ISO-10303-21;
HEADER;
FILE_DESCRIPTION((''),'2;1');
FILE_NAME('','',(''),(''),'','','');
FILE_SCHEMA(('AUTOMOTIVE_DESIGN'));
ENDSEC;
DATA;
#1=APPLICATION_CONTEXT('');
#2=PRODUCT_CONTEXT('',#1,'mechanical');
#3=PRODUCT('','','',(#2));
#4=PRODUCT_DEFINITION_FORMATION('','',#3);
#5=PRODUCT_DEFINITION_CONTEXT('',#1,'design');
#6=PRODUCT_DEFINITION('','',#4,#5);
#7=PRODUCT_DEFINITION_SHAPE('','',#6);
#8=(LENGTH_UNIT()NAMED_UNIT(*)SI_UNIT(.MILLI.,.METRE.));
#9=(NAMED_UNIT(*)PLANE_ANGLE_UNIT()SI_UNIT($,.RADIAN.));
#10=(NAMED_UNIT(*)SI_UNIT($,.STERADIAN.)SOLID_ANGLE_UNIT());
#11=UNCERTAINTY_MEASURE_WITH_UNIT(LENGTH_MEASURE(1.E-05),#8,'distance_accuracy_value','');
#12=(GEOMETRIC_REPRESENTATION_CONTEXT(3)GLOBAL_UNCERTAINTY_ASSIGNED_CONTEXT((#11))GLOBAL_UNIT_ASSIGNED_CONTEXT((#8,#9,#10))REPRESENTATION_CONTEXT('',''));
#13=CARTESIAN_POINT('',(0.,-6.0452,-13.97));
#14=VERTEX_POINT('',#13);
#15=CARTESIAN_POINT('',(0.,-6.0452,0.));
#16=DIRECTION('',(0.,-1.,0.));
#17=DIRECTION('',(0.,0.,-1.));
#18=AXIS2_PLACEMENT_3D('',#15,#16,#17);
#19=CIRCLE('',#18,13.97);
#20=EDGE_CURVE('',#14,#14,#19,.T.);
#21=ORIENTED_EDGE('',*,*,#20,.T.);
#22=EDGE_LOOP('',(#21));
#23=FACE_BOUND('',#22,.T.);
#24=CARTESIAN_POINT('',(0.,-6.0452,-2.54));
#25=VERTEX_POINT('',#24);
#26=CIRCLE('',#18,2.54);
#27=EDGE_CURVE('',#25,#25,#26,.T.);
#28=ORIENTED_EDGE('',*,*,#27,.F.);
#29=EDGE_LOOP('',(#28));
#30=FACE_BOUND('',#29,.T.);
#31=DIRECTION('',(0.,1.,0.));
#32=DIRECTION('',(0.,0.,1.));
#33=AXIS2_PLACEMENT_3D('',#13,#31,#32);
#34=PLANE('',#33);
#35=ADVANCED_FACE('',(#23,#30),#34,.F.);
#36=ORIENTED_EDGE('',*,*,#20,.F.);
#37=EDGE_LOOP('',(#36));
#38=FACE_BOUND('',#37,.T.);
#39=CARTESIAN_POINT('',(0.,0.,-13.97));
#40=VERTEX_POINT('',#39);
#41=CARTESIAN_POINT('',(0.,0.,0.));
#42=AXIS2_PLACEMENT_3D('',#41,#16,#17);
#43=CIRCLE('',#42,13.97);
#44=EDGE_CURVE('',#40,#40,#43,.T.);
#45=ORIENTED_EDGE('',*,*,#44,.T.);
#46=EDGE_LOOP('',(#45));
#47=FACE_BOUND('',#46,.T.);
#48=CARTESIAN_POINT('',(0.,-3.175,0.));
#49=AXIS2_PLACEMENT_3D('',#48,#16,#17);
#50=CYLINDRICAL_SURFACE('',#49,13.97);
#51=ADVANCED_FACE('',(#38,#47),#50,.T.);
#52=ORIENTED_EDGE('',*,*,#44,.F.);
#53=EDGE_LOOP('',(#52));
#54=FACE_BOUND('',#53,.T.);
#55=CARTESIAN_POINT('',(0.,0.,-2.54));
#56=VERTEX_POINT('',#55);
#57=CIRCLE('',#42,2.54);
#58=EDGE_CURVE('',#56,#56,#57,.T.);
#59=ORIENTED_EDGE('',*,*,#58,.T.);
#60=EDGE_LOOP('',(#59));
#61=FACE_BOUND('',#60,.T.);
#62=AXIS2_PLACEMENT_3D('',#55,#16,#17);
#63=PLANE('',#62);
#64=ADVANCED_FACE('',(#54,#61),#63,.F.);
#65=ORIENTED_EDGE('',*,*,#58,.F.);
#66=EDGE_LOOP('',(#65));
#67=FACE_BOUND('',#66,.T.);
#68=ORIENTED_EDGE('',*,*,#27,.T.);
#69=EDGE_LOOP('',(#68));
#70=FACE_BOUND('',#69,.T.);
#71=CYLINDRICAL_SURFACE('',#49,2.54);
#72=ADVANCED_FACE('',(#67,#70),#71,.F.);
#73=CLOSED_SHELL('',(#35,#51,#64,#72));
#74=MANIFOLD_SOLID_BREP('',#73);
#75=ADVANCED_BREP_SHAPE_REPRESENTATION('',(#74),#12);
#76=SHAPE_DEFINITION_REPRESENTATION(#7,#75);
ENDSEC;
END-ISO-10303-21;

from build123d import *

# Parameters (mm, degrees)
SKETCH1_W = 6.0452
SKETCH1_H = 11.43


with BuildPart() as part:
    # Sketch1 → Base-Revolve (revolve)
    with BuildSketch(Plane(origin=(0, 0, 0), x_dir=(0, 1, 0), z_dir=(-1, 0, 0))):
        with Locations((-3.0226, 8.255)):
            Rectangle(SKETCH1_W, SKETCH1_H)
    revolve(axis=Axis((0, -3.175, 0), (0, 1, 0)))


solid = part.part
